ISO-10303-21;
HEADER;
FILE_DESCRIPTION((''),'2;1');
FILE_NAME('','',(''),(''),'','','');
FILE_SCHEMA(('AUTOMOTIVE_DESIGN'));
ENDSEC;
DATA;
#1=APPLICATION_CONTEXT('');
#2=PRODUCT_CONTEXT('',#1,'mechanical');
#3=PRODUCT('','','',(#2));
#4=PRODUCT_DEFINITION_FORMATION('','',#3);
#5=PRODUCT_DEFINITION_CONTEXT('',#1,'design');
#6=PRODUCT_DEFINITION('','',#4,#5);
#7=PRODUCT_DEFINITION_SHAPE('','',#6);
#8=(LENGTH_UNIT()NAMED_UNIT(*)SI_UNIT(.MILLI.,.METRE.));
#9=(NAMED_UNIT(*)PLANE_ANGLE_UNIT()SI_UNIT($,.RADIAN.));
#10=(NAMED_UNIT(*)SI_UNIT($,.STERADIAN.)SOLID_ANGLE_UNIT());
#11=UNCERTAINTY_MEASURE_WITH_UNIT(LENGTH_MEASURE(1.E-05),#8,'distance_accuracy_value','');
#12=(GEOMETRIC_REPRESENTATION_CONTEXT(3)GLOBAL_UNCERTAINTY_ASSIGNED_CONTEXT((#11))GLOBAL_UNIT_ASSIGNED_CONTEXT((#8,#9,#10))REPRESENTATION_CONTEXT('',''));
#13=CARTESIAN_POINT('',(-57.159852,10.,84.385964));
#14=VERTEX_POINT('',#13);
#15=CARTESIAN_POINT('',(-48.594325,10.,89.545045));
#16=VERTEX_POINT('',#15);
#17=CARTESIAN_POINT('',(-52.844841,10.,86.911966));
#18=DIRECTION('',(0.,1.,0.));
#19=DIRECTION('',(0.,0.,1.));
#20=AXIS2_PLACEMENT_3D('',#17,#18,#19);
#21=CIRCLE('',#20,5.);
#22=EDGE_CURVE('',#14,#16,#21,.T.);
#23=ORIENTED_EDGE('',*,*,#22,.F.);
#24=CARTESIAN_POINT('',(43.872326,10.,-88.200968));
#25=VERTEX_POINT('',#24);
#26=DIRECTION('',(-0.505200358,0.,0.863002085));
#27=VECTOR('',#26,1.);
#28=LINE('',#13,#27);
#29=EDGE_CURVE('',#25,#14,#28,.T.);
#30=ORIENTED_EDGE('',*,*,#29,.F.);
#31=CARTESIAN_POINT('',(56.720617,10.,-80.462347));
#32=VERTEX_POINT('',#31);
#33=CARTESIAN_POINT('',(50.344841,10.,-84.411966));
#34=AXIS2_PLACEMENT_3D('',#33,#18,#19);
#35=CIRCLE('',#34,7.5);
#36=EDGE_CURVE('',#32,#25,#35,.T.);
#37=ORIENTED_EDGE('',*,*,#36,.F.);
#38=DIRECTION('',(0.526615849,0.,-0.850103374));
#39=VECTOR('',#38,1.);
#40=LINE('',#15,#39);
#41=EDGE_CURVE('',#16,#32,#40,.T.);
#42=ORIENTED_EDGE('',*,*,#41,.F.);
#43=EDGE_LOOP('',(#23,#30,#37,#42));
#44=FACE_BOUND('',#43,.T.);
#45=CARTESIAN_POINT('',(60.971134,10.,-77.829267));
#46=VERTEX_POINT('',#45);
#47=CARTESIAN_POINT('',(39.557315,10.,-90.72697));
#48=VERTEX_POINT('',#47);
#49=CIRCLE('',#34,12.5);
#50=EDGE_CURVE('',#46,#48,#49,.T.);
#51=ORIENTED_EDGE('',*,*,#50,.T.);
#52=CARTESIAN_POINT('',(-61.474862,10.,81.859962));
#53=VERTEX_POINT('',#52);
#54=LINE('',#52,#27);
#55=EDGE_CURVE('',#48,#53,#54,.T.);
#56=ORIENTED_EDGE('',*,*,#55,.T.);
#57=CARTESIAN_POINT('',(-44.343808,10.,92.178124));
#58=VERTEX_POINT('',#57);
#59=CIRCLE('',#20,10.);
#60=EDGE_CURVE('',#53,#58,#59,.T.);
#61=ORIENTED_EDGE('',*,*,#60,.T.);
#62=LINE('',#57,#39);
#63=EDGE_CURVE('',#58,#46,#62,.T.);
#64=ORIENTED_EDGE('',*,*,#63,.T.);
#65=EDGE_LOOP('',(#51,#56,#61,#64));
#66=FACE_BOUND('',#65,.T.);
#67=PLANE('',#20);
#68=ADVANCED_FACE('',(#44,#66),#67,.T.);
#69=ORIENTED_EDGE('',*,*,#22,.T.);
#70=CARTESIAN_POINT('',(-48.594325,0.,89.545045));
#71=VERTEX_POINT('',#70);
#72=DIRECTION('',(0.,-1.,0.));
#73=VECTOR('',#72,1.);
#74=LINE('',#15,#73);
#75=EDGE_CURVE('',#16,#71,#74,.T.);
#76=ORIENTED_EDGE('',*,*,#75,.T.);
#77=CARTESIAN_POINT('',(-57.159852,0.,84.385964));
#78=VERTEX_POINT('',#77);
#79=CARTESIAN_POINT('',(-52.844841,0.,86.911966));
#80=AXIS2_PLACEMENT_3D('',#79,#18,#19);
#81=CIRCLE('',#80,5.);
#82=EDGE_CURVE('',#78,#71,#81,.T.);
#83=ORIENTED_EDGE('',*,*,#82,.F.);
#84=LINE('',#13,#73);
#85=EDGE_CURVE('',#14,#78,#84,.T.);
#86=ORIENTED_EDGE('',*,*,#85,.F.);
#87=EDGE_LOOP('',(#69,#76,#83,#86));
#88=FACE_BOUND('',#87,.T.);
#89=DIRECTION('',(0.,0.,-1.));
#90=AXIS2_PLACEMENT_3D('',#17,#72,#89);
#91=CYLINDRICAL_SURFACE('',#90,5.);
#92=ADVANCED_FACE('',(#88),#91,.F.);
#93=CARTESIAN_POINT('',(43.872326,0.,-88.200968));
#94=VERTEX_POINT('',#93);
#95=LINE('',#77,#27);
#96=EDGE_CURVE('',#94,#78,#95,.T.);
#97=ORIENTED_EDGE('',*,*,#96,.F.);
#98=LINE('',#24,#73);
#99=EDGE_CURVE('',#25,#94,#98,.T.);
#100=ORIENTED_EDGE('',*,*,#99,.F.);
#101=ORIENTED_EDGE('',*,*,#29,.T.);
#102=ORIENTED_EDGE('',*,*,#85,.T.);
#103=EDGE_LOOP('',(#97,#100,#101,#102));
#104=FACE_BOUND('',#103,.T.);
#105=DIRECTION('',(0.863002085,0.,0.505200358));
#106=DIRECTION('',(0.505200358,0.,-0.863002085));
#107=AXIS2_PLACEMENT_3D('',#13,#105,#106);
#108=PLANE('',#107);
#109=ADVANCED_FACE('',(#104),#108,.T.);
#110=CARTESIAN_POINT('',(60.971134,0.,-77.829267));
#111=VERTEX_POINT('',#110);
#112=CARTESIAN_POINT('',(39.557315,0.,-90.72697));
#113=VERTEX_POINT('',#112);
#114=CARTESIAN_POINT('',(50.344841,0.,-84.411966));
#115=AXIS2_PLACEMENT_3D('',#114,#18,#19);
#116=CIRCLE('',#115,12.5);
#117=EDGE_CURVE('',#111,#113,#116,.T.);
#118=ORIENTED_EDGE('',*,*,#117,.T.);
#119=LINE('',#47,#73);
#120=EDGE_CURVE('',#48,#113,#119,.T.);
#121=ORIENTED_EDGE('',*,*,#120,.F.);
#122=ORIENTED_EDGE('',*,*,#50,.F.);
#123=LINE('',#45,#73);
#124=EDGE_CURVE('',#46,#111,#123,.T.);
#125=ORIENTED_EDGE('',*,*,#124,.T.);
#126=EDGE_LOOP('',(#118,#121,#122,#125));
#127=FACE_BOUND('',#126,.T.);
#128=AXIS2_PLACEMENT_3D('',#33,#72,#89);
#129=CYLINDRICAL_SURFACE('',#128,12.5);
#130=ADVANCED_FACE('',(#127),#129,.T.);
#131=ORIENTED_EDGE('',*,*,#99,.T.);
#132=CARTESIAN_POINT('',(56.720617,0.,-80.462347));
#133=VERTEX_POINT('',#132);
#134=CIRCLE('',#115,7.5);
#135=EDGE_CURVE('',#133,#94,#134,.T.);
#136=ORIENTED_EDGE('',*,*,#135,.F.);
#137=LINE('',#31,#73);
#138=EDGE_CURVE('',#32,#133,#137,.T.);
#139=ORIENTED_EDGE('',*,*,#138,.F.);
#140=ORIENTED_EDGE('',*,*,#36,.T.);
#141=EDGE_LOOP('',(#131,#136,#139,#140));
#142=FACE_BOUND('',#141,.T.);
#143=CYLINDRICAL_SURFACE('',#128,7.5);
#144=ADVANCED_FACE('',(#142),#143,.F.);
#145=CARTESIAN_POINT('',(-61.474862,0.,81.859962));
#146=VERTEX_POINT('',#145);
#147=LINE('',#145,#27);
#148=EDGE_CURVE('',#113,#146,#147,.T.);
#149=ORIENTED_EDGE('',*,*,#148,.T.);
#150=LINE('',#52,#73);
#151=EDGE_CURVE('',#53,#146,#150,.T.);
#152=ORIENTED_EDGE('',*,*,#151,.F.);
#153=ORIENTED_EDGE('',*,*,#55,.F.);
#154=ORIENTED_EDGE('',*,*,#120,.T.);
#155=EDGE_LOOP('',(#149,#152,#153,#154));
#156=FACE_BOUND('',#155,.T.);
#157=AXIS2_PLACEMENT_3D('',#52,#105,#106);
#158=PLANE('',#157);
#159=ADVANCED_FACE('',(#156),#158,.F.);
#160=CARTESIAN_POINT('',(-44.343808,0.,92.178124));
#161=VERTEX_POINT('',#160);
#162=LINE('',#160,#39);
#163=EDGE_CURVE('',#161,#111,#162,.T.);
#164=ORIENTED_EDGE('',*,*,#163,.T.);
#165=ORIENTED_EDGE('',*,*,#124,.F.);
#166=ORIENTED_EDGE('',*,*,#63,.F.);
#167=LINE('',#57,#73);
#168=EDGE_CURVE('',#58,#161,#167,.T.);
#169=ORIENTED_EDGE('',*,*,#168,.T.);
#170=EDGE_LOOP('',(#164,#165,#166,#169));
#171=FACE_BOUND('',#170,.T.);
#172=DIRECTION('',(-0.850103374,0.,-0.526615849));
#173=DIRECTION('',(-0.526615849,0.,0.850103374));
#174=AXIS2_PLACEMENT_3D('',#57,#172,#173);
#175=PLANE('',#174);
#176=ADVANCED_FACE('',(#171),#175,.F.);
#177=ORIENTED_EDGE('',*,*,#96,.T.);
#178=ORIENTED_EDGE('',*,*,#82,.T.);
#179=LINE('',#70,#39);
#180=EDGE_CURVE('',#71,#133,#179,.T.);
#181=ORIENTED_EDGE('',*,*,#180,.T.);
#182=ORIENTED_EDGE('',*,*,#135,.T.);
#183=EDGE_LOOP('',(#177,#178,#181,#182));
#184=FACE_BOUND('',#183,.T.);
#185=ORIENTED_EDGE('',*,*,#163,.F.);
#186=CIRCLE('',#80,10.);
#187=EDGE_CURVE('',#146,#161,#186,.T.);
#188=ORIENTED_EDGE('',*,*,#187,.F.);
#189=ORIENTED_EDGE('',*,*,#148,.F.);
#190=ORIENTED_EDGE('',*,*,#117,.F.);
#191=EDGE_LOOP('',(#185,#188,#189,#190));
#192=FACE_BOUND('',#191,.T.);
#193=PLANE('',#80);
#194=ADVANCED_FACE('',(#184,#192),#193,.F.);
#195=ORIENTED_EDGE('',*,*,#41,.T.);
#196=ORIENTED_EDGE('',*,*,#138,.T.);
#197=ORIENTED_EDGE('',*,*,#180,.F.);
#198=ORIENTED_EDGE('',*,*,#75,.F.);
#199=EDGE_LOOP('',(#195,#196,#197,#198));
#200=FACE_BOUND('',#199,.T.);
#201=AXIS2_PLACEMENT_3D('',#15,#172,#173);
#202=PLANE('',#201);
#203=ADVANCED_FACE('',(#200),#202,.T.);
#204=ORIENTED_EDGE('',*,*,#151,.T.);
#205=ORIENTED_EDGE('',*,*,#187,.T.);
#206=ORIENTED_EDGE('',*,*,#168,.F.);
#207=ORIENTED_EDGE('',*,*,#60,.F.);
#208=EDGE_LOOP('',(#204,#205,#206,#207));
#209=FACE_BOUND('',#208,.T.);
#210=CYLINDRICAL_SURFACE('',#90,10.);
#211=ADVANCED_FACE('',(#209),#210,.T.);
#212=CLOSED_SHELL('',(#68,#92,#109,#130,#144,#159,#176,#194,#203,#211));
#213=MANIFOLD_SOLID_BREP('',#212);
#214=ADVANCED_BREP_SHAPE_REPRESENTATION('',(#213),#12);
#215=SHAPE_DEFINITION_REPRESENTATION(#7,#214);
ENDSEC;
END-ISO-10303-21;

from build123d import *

# Parameters (mm, degrees)
BOSS_EXTRUDE1_DEPTH = 10


with BuildPart() as part:
    # Sketch1 → Boss-Extrude1 (new body)
    with BuildSketch(Plane(origin=(0, 0, 0), x_dir=(1, 0, 0), z_dir=(0, 1, 0))):
        with BuildLine():
            Line((-61.474862228, -81.859961975), (39.557315322, 90.726970032))
            ThreePointArc((39.557315322, 90.726970032), (56.794196553, 95.119711251), (60.97113356, 77.829267438))
            Line((60.97113356, 77.829267438), (-44.343807637, -92.178124051))
            ThreePointArc((-44.343807637, -92.178124051), (-58.004325519, -95.478162112), (-61.474862228, -81.859961975))
        make_face()
        with BuildLine():
            Line((-57.159851804, -84.385963766), (43.872325745, 88.200968242))
            ThreePointArc((43.872325745, 88.200968242), (54.214454484, 90.836612973), (56.720616688, 80.462346685))
            Line((56.720616688, 80.462346685), (-48.594324509, -89.545044803))
            ThreePointArc((-48.594324509, -89.545044803), (-55.42458345, -91.195063834), (-57.159851804, -84.385963766))
        make_face(mode=Mode.SUBTRACT)
    extrude(amount=BOSS_EXTRUDE1_DEPTH)


solid = part.part
